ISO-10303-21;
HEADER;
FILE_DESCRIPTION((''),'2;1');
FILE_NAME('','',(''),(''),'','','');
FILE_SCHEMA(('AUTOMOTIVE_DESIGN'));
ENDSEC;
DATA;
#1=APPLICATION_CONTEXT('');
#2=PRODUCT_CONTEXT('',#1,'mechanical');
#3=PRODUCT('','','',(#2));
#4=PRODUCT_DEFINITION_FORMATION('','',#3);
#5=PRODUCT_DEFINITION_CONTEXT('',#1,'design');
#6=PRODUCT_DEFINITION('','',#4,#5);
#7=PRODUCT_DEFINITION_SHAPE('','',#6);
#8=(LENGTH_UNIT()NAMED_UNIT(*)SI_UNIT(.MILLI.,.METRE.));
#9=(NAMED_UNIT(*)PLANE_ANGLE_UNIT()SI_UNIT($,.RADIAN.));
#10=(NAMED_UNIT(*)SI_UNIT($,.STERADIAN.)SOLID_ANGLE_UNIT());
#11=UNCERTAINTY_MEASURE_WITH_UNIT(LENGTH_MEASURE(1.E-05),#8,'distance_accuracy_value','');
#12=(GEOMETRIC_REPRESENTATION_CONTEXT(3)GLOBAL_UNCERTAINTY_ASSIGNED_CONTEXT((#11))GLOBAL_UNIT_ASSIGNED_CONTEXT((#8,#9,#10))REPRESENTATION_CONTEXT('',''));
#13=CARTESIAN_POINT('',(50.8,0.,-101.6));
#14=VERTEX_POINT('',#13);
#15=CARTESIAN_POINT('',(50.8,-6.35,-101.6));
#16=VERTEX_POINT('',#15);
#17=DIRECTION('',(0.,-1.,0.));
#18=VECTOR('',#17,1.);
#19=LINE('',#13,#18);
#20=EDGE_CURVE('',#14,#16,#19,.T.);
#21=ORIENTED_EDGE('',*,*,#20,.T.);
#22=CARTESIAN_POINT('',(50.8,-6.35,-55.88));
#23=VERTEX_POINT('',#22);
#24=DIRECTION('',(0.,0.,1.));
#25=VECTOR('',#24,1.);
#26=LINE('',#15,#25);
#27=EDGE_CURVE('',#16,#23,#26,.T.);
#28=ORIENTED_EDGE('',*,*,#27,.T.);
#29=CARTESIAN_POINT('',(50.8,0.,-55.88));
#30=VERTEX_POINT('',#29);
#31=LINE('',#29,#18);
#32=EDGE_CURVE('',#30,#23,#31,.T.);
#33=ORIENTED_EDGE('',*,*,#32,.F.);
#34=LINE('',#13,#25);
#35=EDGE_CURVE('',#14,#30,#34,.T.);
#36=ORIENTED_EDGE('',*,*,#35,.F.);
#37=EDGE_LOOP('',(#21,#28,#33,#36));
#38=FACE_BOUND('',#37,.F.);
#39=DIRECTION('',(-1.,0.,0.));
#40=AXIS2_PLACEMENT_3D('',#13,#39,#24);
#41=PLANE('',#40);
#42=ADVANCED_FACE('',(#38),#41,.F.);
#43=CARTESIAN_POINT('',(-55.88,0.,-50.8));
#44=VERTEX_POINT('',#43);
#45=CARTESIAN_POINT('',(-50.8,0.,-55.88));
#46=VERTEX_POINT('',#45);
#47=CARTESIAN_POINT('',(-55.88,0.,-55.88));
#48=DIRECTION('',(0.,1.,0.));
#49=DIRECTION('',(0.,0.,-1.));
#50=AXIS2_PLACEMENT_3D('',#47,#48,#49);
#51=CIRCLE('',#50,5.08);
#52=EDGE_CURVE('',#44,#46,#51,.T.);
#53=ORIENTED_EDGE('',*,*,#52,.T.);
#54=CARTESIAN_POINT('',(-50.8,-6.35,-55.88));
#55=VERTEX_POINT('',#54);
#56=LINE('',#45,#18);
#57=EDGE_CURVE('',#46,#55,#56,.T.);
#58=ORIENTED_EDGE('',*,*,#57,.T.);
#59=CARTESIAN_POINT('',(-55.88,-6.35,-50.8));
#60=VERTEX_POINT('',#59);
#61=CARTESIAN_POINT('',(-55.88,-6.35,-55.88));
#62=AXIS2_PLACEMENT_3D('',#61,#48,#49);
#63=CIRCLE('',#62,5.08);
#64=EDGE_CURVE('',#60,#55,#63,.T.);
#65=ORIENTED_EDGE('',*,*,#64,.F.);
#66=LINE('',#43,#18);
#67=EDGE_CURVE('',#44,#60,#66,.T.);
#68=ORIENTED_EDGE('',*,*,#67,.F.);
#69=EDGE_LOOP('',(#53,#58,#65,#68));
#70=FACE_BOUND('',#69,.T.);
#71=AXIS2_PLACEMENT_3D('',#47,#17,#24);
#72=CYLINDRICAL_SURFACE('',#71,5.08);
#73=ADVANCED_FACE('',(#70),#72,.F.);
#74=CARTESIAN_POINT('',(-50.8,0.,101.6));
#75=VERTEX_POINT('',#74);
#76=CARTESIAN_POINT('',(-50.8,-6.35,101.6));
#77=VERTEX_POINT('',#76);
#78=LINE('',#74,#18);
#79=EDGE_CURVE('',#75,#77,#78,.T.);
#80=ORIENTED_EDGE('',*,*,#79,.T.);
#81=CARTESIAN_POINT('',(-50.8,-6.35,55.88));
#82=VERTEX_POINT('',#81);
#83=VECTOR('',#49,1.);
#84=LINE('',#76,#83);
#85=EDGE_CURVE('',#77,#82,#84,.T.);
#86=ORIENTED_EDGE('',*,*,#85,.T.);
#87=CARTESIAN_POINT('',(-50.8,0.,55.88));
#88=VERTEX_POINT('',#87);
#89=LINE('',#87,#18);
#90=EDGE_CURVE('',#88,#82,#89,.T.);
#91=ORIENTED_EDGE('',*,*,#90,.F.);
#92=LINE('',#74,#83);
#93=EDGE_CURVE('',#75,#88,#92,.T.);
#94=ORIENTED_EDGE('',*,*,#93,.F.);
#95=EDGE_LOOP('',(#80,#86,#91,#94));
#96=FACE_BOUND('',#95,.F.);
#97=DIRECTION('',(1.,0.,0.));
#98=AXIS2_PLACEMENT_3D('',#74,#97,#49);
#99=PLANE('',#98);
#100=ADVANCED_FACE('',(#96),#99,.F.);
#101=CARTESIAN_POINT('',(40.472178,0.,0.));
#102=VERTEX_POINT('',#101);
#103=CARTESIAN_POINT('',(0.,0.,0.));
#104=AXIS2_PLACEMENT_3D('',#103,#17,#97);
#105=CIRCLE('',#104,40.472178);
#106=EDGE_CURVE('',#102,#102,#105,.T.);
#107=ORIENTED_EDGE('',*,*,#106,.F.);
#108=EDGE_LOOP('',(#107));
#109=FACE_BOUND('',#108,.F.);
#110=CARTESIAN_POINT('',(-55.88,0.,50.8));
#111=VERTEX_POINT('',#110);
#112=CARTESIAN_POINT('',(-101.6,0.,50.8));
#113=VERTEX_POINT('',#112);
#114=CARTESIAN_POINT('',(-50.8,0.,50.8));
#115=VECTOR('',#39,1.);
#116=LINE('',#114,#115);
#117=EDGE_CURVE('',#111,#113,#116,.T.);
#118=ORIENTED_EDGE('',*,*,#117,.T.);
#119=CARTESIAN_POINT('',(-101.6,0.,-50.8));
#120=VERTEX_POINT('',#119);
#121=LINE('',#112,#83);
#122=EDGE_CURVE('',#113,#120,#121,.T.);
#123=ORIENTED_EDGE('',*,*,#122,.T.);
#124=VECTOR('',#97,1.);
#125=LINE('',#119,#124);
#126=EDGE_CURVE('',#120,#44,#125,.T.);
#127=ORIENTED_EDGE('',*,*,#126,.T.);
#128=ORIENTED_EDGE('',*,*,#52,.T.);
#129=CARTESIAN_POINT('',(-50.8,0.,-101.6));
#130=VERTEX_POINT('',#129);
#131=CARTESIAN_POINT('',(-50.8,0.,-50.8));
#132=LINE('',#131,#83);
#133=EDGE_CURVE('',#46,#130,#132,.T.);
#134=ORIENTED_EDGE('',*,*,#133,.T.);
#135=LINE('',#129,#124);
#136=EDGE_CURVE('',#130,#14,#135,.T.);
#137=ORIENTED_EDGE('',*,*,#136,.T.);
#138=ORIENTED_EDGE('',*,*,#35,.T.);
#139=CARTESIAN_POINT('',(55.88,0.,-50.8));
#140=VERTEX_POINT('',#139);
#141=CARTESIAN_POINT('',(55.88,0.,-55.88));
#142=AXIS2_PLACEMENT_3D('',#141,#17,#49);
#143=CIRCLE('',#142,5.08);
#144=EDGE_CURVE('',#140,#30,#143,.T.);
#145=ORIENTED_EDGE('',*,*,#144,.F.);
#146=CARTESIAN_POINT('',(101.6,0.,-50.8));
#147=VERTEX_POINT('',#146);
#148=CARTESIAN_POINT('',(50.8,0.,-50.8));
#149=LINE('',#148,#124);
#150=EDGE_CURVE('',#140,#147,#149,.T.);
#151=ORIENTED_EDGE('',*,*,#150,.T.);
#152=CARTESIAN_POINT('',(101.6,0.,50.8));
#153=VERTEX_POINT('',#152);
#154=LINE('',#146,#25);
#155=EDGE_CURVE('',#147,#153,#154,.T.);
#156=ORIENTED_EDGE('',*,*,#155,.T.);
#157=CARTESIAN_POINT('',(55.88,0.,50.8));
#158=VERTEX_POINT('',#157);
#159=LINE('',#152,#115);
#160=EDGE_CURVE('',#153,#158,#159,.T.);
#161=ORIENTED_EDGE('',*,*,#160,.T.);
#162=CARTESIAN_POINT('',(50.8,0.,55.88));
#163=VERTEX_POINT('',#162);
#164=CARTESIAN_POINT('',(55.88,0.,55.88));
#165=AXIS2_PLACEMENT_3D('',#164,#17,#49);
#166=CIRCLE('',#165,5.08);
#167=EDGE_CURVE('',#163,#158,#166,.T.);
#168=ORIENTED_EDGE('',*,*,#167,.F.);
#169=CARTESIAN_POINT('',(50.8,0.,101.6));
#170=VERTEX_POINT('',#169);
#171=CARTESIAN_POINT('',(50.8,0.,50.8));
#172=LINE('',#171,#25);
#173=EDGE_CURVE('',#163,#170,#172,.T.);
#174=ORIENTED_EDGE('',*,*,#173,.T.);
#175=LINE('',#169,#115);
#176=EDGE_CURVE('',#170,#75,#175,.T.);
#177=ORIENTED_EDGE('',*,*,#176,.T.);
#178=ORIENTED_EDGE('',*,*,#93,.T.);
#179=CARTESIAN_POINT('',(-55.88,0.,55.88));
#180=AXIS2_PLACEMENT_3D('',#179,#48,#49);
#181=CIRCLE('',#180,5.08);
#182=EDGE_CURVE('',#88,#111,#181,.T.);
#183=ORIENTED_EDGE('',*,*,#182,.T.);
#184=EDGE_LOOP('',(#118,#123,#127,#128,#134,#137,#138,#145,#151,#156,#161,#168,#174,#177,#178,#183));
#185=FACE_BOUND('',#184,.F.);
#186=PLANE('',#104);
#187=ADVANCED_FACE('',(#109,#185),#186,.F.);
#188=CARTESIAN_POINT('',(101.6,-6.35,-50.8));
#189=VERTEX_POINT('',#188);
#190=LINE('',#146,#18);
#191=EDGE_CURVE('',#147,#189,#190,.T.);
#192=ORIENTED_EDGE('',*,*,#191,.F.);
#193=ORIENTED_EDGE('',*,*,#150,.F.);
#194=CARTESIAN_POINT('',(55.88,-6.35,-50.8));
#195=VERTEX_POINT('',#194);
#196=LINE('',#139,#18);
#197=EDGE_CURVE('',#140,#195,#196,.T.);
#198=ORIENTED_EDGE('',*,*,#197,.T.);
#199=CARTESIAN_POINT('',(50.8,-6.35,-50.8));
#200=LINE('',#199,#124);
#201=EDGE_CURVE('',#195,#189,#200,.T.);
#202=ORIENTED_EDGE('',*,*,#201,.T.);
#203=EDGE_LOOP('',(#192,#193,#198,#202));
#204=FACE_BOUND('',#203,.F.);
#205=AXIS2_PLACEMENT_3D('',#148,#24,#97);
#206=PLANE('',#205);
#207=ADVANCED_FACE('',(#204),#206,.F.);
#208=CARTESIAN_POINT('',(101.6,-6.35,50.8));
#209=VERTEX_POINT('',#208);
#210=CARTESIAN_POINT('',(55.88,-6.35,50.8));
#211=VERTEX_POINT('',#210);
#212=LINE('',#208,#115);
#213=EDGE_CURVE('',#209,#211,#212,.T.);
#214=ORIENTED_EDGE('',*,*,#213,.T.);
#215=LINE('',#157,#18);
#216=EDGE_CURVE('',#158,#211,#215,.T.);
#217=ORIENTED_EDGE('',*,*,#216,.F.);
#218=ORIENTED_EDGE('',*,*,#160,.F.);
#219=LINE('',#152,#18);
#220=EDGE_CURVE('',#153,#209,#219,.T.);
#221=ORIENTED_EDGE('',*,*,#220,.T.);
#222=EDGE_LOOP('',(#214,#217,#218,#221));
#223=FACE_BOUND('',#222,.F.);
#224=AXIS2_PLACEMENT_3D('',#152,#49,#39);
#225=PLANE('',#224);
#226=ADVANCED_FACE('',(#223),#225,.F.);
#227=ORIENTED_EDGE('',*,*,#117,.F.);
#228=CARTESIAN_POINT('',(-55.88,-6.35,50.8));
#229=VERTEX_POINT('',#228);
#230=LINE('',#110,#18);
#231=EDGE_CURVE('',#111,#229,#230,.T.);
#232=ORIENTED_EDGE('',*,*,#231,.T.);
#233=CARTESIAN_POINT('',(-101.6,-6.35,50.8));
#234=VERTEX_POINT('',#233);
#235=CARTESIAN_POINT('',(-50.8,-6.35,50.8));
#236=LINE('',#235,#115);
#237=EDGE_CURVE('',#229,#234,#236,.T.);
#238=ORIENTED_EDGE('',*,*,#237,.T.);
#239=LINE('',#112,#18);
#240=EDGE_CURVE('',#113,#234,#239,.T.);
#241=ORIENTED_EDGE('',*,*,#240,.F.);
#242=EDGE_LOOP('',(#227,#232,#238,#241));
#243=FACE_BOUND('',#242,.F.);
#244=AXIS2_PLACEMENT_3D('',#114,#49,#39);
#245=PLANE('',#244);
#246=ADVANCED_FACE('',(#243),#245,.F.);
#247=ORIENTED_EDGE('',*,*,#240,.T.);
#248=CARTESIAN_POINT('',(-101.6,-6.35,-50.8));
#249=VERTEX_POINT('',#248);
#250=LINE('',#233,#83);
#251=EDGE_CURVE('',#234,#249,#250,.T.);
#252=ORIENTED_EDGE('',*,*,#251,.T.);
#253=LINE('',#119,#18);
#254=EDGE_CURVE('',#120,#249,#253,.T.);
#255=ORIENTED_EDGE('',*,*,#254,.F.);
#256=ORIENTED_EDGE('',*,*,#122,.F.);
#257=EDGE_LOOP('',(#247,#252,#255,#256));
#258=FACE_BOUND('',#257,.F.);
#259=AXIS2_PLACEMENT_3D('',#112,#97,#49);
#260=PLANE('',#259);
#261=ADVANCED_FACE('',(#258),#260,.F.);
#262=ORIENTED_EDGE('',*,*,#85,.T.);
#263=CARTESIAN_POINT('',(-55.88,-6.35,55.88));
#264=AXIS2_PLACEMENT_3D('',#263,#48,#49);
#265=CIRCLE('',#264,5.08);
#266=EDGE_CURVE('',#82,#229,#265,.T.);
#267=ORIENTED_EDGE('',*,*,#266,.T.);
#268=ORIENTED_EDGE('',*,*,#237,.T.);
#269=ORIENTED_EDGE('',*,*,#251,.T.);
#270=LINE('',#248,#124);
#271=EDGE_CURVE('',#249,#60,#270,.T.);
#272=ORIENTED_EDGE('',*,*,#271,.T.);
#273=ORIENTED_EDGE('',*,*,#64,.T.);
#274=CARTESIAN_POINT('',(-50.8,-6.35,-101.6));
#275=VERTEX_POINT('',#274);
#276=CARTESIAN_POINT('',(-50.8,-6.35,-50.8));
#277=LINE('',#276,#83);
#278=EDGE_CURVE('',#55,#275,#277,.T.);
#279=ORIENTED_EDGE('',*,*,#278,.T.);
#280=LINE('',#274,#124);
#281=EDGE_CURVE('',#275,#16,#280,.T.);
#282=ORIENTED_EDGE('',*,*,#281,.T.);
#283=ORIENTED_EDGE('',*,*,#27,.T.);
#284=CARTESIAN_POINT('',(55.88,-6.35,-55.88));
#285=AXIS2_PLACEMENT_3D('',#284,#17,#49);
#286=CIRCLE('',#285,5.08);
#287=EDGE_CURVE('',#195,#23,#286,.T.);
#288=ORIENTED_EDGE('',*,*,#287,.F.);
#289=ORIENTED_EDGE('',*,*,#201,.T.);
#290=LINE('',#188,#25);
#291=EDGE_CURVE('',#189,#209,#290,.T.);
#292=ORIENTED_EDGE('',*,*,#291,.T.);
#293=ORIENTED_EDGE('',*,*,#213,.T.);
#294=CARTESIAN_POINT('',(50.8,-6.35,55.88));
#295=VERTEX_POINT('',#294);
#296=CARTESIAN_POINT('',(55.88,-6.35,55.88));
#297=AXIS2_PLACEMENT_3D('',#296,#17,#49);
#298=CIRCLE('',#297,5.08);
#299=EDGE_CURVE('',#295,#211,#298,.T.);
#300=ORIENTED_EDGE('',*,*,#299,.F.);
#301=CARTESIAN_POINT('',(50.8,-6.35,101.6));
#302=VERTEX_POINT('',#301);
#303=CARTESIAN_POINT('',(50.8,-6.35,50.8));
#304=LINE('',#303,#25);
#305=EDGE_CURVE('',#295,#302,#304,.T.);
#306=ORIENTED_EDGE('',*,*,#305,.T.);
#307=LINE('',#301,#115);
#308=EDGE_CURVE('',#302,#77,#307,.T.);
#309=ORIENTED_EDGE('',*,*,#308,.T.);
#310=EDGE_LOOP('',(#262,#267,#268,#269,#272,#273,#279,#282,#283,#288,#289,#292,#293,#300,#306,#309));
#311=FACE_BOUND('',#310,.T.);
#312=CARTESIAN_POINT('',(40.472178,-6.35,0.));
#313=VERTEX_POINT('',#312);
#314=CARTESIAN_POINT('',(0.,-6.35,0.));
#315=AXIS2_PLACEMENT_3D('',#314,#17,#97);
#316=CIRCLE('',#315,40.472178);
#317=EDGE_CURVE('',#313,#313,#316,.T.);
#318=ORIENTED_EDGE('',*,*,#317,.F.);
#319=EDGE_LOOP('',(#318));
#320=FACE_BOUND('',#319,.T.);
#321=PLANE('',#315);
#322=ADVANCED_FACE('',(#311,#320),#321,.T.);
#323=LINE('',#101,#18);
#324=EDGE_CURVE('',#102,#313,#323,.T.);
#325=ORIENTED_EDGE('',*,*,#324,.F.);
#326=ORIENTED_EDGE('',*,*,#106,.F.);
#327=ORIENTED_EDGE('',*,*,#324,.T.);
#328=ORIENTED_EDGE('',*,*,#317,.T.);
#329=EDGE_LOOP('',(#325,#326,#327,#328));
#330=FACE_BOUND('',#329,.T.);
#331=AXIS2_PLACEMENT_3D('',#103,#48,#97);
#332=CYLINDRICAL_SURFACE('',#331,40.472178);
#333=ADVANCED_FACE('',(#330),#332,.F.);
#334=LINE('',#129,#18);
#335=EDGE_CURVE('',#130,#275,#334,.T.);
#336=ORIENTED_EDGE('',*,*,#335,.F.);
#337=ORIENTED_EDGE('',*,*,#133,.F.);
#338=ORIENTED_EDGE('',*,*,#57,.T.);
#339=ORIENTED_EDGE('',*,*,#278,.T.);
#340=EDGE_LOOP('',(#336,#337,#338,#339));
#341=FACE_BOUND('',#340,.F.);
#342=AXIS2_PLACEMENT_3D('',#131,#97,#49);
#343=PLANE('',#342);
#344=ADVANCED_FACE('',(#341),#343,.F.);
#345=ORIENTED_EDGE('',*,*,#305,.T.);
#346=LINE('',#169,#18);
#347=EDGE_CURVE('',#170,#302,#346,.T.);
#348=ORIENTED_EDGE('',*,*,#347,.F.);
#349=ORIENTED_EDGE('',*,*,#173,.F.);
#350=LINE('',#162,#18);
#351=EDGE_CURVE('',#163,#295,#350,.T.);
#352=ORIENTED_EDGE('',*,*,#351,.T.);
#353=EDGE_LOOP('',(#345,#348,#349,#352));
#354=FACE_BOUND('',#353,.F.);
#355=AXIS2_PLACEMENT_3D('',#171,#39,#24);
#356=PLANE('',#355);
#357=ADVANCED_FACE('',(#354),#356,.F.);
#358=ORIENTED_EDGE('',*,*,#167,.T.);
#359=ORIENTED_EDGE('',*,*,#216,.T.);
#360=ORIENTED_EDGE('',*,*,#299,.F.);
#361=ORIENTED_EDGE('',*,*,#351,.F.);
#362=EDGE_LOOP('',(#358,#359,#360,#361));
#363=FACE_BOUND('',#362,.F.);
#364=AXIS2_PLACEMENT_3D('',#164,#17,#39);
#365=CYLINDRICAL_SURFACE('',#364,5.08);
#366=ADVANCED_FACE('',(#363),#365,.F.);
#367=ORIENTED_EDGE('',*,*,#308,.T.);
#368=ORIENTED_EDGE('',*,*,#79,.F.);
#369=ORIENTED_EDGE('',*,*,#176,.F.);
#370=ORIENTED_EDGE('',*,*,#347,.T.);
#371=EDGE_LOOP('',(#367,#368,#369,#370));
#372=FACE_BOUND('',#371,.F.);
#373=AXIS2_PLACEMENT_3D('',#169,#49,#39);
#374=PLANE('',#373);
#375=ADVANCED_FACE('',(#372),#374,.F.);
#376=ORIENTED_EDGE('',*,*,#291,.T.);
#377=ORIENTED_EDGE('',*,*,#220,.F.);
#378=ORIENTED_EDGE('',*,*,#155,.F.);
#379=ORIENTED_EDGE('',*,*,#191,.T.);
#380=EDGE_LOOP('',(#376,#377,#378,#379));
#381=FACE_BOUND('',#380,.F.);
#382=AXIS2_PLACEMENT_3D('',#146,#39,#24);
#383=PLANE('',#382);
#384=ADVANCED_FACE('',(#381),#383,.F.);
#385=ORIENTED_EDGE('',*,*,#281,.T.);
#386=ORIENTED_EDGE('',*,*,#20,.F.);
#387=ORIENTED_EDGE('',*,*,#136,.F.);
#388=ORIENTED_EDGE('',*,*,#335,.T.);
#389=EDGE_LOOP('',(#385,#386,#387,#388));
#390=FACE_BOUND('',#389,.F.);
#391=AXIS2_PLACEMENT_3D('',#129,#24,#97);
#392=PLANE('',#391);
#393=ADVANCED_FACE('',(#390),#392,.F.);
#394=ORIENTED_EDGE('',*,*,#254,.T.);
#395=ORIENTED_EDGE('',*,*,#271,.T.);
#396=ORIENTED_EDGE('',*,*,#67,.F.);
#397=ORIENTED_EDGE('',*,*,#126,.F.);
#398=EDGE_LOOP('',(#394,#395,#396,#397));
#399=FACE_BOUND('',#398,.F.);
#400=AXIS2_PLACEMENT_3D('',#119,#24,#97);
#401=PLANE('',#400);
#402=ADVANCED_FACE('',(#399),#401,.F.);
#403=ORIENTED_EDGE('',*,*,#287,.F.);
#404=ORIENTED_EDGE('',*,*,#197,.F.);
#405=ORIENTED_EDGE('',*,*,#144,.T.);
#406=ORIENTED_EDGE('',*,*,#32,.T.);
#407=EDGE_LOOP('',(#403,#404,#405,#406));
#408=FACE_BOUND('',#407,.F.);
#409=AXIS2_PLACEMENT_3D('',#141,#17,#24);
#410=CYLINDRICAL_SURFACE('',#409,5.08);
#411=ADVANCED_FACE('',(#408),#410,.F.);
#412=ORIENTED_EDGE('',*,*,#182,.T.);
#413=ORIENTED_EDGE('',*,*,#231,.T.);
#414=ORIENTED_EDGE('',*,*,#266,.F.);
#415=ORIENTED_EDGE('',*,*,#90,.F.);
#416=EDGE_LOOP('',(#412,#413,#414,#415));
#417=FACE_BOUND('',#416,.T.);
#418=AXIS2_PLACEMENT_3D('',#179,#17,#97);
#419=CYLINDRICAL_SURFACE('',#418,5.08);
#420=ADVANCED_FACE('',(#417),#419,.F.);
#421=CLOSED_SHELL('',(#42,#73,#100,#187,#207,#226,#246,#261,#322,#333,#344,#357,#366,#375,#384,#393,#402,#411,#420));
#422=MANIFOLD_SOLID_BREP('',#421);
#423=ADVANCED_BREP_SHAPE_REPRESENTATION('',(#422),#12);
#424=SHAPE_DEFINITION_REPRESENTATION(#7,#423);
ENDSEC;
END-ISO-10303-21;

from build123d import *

# Parameters (mm, degrees)
F0_R     = 40.472178
F1_DEPTH = 6.35
F2_R     = 5.08


with BuildPart() as f1:
    # F0 (on Front) → F1 (new body)
    with BuildSketch(Plane.XZ):
        Polygon((50.8, 50.8), (50.8, 101.6), (-50.8, 101.6), (-50.8, 50.8), (-101.6, 50.8), (-101.6, -50.8), (-50.8, -50.8), (-50.8, -101.6), (50.8, -101.6), (50.8, -50.8), (101.6, -50.8), (101.6, 50.8), align=None)
        Circle(F0_R, mode=Mode.SUBTRACT)
    extrude(amount=F1_DEPTH)

    # F2
    f2_edges = [f1.edges().sort_by_distance(p)[0] for p in [
        (50.8, -3.175, 50.8),
        (-50.8, -3.175, 50.8),
        (-50.8, -3.175, -50.8),
        (50.8, -3.175, -50.8),
    ]]
    fillet(f2_edges, radius=F2_R)


solid = f1.part
